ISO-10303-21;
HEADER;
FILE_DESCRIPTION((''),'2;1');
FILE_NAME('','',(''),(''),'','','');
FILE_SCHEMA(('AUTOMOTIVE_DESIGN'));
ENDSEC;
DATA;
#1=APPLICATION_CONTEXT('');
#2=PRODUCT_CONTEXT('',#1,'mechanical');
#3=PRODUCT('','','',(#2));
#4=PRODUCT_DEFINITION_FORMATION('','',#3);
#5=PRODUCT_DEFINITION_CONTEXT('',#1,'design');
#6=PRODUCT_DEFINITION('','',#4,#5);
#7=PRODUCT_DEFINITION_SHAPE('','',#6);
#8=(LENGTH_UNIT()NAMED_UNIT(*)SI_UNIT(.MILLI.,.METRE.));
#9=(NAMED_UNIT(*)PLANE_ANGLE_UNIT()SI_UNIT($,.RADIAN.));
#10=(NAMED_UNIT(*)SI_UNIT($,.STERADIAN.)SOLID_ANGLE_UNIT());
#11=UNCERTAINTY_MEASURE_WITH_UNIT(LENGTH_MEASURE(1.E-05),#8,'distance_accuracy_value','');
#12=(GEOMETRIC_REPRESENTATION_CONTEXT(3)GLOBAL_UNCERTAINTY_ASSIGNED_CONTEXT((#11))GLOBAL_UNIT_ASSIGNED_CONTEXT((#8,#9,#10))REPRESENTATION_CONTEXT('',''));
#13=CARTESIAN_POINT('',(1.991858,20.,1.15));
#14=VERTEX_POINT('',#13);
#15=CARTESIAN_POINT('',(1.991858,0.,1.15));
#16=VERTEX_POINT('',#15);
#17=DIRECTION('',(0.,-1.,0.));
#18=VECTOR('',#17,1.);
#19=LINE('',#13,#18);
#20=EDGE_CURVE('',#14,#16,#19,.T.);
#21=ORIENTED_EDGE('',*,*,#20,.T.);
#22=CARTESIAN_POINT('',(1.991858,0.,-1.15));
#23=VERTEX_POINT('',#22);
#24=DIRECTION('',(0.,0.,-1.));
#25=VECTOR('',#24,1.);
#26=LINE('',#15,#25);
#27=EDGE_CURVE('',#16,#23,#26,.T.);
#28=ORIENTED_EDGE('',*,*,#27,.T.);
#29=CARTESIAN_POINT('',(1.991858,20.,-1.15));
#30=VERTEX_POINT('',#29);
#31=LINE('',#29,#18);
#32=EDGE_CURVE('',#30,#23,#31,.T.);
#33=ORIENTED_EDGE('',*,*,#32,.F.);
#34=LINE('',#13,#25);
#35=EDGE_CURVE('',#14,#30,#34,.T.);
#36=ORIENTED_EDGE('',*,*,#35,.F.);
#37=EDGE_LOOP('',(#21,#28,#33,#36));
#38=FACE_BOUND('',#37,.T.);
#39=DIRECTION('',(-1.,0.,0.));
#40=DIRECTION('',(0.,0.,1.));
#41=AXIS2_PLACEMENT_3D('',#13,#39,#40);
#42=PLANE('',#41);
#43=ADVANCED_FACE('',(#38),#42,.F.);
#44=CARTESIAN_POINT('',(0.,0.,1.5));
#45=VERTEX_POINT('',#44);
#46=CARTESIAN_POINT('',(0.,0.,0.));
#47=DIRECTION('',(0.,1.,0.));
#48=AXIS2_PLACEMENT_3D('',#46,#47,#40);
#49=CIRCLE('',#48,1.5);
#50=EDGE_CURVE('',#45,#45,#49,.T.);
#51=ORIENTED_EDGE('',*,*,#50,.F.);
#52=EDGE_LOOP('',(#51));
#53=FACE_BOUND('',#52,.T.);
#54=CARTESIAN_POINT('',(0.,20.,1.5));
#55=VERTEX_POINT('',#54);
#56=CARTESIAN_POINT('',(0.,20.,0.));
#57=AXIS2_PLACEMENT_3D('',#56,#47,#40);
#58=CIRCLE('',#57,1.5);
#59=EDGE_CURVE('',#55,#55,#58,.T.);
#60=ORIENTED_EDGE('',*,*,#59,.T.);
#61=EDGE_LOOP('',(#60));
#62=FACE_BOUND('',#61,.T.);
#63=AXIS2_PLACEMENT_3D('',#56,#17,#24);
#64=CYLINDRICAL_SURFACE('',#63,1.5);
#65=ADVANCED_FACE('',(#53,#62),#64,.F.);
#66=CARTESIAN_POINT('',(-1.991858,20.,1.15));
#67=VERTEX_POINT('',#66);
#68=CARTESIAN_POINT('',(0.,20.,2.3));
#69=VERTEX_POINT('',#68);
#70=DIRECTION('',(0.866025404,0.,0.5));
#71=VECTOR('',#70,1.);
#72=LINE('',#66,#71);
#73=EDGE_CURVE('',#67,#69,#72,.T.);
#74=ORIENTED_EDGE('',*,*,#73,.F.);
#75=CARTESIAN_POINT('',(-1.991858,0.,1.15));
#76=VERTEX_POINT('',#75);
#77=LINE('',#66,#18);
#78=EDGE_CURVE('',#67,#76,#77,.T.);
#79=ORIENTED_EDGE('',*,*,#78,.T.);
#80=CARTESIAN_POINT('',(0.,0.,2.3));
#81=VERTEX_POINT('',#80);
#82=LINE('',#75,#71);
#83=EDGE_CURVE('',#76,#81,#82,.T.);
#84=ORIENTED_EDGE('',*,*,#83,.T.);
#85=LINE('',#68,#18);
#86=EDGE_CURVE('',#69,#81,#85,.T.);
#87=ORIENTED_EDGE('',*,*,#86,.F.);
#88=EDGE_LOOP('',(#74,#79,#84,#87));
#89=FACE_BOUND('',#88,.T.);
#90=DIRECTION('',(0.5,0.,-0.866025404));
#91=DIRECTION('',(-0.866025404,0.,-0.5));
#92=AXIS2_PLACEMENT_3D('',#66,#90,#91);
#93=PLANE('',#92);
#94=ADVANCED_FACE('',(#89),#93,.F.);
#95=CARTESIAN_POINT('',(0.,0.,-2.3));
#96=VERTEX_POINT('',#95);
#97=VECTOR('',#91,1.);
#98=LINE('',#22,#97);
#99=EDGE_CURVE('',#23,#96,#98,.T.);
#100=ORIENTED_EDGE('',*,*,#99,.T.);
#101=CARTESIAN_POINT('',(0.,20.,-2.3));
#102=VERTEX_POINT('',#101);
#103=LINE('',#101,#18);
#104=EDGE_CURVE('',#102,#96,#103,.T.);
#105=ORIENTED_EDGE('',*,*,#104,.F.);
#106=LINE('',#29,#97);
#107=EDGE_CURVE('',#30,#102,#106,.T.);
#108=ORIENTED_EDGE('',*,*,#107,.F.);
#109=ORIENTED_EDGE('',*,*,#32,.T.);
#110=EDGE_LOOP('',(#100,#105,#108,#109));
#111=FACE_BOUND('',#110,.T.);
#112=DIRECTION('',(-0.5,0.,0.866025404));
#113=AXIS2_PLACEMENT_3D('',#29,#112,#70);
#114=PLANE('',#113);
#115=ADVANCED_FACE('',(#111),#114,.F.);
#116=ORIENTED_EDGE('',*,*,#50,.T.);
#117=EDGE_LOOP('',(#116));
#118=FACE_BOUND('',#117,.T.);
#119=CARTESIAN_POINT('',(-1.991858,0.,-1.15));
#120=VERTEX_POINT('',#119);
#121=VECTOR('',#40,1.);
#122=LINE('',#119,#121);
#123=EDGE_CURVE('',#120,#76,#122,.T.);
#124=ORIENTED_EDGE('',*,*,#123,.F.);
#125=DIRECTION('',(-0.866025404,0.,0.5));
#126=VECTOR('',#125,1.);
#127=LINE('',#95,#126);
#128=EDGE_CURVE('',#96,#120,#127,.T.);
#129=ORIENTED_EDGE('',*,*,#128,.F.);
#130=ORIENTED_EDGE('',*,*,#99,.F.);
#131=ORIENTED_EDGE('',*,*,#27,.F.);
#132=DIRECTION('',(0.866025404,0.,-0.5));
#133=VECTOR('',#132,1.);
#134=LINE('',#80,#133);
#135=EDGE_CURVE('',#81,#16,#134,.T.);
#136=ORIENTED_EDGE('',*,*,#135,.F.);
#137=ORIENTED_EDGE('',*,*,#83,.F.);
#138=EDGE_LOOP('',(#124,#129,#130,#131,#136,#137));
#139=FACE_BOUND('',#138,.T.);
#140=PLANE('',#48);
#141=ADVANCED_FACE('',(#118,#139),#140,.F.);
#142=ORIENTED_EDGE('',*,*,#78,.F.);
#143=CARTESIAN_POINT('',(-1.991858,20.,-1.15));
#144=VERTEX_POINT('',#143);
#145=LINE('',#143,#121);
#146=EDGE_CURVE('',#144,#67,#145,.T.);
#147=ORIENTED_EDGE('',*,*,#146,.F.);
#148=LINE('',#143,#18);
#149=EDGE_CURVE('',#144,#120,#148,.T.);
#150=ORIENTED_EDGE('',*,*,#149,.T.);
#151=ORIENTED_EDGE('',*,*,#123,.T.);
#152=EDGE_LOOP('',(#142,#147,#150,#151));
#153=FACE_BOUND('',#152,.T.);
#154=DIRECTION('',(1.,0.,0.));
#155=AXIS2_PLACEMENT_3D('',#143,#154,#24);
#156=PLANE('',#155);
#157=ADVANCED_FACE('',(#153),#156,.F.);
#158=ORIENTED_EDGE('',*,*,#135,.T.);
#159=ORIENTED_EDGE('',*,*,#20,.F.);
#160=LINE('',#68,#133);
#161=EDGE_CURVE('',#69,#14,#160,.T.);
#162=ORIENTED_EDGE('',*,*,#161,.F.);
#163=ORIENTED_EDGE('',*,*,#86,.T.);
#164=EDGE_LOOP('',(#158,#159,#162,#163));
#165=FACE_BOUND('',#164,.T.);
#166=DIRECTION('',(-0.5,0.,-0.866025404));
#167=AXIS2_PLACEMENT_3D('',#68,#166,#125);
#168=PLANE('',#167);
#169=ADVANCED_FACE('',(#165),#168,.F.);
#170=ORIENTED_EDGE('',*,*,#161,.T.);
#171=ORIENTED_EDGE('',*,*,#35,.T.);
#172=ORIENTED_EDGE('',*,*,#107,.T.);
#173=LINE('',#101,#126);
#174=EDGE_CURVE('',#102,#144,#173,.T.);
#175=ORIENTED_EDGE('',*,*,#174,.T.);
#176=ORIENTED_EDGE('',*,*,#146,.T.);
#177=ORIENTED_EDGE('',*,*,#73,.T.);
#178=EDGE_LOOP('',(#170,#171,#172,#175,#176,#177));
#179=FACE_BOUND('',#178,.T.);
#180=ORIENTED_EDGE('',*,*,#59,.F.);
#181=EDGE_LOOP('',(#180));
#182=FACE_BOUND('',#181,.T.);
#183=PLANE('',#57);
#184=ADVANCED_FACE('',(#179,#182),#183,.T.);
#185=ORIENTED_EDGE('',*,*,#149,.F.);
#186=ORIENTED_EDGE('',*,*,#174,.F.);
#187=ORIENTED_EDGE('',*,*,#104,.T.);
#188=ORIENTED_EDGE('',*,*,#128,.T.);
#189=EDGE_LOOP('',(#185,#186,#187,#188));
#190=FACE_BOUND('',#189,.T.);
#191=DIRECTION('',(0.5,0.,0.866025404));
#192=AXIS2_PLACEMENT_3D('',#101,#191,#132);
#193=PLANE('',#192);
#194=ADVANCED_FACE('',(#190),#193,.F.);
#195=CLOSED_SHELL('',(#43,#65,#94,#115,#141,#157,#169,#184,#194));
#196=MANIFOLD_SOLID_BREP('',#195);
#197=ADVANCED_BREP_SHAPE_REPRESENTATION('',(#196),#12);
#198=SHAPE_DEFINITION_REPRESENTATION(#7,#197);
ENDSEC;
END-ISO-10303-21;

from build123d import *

# Parameters (mm, degrees)
SKETCH_1_R      = 1.5
EXTRUDE_1_DEPTH = 20


with BuildPart() as part:
    # 草图1 → 凸台-拉伸1 (new body)
    with BuildSketch(Plane(origin=(0, 0, 0), x_dir=(1, 0, 0), z_dir=(0, 1, 0))):
        Polygon((1.991858429, 1.15), (0, 2.3), (-1.991858429, 1.15), (-1.991858429, -1.15), (0, -2.3), (1.991858429, -1.15), align=None)
        with Locations(Location((0, 0, 0), (0, 0, 270))):
            Circle(SKETCH_1_R, mode=Mode.SUBTRACT)
    extrude(amount=EXTRUDE_1_DEPTH)


solid = part.part
